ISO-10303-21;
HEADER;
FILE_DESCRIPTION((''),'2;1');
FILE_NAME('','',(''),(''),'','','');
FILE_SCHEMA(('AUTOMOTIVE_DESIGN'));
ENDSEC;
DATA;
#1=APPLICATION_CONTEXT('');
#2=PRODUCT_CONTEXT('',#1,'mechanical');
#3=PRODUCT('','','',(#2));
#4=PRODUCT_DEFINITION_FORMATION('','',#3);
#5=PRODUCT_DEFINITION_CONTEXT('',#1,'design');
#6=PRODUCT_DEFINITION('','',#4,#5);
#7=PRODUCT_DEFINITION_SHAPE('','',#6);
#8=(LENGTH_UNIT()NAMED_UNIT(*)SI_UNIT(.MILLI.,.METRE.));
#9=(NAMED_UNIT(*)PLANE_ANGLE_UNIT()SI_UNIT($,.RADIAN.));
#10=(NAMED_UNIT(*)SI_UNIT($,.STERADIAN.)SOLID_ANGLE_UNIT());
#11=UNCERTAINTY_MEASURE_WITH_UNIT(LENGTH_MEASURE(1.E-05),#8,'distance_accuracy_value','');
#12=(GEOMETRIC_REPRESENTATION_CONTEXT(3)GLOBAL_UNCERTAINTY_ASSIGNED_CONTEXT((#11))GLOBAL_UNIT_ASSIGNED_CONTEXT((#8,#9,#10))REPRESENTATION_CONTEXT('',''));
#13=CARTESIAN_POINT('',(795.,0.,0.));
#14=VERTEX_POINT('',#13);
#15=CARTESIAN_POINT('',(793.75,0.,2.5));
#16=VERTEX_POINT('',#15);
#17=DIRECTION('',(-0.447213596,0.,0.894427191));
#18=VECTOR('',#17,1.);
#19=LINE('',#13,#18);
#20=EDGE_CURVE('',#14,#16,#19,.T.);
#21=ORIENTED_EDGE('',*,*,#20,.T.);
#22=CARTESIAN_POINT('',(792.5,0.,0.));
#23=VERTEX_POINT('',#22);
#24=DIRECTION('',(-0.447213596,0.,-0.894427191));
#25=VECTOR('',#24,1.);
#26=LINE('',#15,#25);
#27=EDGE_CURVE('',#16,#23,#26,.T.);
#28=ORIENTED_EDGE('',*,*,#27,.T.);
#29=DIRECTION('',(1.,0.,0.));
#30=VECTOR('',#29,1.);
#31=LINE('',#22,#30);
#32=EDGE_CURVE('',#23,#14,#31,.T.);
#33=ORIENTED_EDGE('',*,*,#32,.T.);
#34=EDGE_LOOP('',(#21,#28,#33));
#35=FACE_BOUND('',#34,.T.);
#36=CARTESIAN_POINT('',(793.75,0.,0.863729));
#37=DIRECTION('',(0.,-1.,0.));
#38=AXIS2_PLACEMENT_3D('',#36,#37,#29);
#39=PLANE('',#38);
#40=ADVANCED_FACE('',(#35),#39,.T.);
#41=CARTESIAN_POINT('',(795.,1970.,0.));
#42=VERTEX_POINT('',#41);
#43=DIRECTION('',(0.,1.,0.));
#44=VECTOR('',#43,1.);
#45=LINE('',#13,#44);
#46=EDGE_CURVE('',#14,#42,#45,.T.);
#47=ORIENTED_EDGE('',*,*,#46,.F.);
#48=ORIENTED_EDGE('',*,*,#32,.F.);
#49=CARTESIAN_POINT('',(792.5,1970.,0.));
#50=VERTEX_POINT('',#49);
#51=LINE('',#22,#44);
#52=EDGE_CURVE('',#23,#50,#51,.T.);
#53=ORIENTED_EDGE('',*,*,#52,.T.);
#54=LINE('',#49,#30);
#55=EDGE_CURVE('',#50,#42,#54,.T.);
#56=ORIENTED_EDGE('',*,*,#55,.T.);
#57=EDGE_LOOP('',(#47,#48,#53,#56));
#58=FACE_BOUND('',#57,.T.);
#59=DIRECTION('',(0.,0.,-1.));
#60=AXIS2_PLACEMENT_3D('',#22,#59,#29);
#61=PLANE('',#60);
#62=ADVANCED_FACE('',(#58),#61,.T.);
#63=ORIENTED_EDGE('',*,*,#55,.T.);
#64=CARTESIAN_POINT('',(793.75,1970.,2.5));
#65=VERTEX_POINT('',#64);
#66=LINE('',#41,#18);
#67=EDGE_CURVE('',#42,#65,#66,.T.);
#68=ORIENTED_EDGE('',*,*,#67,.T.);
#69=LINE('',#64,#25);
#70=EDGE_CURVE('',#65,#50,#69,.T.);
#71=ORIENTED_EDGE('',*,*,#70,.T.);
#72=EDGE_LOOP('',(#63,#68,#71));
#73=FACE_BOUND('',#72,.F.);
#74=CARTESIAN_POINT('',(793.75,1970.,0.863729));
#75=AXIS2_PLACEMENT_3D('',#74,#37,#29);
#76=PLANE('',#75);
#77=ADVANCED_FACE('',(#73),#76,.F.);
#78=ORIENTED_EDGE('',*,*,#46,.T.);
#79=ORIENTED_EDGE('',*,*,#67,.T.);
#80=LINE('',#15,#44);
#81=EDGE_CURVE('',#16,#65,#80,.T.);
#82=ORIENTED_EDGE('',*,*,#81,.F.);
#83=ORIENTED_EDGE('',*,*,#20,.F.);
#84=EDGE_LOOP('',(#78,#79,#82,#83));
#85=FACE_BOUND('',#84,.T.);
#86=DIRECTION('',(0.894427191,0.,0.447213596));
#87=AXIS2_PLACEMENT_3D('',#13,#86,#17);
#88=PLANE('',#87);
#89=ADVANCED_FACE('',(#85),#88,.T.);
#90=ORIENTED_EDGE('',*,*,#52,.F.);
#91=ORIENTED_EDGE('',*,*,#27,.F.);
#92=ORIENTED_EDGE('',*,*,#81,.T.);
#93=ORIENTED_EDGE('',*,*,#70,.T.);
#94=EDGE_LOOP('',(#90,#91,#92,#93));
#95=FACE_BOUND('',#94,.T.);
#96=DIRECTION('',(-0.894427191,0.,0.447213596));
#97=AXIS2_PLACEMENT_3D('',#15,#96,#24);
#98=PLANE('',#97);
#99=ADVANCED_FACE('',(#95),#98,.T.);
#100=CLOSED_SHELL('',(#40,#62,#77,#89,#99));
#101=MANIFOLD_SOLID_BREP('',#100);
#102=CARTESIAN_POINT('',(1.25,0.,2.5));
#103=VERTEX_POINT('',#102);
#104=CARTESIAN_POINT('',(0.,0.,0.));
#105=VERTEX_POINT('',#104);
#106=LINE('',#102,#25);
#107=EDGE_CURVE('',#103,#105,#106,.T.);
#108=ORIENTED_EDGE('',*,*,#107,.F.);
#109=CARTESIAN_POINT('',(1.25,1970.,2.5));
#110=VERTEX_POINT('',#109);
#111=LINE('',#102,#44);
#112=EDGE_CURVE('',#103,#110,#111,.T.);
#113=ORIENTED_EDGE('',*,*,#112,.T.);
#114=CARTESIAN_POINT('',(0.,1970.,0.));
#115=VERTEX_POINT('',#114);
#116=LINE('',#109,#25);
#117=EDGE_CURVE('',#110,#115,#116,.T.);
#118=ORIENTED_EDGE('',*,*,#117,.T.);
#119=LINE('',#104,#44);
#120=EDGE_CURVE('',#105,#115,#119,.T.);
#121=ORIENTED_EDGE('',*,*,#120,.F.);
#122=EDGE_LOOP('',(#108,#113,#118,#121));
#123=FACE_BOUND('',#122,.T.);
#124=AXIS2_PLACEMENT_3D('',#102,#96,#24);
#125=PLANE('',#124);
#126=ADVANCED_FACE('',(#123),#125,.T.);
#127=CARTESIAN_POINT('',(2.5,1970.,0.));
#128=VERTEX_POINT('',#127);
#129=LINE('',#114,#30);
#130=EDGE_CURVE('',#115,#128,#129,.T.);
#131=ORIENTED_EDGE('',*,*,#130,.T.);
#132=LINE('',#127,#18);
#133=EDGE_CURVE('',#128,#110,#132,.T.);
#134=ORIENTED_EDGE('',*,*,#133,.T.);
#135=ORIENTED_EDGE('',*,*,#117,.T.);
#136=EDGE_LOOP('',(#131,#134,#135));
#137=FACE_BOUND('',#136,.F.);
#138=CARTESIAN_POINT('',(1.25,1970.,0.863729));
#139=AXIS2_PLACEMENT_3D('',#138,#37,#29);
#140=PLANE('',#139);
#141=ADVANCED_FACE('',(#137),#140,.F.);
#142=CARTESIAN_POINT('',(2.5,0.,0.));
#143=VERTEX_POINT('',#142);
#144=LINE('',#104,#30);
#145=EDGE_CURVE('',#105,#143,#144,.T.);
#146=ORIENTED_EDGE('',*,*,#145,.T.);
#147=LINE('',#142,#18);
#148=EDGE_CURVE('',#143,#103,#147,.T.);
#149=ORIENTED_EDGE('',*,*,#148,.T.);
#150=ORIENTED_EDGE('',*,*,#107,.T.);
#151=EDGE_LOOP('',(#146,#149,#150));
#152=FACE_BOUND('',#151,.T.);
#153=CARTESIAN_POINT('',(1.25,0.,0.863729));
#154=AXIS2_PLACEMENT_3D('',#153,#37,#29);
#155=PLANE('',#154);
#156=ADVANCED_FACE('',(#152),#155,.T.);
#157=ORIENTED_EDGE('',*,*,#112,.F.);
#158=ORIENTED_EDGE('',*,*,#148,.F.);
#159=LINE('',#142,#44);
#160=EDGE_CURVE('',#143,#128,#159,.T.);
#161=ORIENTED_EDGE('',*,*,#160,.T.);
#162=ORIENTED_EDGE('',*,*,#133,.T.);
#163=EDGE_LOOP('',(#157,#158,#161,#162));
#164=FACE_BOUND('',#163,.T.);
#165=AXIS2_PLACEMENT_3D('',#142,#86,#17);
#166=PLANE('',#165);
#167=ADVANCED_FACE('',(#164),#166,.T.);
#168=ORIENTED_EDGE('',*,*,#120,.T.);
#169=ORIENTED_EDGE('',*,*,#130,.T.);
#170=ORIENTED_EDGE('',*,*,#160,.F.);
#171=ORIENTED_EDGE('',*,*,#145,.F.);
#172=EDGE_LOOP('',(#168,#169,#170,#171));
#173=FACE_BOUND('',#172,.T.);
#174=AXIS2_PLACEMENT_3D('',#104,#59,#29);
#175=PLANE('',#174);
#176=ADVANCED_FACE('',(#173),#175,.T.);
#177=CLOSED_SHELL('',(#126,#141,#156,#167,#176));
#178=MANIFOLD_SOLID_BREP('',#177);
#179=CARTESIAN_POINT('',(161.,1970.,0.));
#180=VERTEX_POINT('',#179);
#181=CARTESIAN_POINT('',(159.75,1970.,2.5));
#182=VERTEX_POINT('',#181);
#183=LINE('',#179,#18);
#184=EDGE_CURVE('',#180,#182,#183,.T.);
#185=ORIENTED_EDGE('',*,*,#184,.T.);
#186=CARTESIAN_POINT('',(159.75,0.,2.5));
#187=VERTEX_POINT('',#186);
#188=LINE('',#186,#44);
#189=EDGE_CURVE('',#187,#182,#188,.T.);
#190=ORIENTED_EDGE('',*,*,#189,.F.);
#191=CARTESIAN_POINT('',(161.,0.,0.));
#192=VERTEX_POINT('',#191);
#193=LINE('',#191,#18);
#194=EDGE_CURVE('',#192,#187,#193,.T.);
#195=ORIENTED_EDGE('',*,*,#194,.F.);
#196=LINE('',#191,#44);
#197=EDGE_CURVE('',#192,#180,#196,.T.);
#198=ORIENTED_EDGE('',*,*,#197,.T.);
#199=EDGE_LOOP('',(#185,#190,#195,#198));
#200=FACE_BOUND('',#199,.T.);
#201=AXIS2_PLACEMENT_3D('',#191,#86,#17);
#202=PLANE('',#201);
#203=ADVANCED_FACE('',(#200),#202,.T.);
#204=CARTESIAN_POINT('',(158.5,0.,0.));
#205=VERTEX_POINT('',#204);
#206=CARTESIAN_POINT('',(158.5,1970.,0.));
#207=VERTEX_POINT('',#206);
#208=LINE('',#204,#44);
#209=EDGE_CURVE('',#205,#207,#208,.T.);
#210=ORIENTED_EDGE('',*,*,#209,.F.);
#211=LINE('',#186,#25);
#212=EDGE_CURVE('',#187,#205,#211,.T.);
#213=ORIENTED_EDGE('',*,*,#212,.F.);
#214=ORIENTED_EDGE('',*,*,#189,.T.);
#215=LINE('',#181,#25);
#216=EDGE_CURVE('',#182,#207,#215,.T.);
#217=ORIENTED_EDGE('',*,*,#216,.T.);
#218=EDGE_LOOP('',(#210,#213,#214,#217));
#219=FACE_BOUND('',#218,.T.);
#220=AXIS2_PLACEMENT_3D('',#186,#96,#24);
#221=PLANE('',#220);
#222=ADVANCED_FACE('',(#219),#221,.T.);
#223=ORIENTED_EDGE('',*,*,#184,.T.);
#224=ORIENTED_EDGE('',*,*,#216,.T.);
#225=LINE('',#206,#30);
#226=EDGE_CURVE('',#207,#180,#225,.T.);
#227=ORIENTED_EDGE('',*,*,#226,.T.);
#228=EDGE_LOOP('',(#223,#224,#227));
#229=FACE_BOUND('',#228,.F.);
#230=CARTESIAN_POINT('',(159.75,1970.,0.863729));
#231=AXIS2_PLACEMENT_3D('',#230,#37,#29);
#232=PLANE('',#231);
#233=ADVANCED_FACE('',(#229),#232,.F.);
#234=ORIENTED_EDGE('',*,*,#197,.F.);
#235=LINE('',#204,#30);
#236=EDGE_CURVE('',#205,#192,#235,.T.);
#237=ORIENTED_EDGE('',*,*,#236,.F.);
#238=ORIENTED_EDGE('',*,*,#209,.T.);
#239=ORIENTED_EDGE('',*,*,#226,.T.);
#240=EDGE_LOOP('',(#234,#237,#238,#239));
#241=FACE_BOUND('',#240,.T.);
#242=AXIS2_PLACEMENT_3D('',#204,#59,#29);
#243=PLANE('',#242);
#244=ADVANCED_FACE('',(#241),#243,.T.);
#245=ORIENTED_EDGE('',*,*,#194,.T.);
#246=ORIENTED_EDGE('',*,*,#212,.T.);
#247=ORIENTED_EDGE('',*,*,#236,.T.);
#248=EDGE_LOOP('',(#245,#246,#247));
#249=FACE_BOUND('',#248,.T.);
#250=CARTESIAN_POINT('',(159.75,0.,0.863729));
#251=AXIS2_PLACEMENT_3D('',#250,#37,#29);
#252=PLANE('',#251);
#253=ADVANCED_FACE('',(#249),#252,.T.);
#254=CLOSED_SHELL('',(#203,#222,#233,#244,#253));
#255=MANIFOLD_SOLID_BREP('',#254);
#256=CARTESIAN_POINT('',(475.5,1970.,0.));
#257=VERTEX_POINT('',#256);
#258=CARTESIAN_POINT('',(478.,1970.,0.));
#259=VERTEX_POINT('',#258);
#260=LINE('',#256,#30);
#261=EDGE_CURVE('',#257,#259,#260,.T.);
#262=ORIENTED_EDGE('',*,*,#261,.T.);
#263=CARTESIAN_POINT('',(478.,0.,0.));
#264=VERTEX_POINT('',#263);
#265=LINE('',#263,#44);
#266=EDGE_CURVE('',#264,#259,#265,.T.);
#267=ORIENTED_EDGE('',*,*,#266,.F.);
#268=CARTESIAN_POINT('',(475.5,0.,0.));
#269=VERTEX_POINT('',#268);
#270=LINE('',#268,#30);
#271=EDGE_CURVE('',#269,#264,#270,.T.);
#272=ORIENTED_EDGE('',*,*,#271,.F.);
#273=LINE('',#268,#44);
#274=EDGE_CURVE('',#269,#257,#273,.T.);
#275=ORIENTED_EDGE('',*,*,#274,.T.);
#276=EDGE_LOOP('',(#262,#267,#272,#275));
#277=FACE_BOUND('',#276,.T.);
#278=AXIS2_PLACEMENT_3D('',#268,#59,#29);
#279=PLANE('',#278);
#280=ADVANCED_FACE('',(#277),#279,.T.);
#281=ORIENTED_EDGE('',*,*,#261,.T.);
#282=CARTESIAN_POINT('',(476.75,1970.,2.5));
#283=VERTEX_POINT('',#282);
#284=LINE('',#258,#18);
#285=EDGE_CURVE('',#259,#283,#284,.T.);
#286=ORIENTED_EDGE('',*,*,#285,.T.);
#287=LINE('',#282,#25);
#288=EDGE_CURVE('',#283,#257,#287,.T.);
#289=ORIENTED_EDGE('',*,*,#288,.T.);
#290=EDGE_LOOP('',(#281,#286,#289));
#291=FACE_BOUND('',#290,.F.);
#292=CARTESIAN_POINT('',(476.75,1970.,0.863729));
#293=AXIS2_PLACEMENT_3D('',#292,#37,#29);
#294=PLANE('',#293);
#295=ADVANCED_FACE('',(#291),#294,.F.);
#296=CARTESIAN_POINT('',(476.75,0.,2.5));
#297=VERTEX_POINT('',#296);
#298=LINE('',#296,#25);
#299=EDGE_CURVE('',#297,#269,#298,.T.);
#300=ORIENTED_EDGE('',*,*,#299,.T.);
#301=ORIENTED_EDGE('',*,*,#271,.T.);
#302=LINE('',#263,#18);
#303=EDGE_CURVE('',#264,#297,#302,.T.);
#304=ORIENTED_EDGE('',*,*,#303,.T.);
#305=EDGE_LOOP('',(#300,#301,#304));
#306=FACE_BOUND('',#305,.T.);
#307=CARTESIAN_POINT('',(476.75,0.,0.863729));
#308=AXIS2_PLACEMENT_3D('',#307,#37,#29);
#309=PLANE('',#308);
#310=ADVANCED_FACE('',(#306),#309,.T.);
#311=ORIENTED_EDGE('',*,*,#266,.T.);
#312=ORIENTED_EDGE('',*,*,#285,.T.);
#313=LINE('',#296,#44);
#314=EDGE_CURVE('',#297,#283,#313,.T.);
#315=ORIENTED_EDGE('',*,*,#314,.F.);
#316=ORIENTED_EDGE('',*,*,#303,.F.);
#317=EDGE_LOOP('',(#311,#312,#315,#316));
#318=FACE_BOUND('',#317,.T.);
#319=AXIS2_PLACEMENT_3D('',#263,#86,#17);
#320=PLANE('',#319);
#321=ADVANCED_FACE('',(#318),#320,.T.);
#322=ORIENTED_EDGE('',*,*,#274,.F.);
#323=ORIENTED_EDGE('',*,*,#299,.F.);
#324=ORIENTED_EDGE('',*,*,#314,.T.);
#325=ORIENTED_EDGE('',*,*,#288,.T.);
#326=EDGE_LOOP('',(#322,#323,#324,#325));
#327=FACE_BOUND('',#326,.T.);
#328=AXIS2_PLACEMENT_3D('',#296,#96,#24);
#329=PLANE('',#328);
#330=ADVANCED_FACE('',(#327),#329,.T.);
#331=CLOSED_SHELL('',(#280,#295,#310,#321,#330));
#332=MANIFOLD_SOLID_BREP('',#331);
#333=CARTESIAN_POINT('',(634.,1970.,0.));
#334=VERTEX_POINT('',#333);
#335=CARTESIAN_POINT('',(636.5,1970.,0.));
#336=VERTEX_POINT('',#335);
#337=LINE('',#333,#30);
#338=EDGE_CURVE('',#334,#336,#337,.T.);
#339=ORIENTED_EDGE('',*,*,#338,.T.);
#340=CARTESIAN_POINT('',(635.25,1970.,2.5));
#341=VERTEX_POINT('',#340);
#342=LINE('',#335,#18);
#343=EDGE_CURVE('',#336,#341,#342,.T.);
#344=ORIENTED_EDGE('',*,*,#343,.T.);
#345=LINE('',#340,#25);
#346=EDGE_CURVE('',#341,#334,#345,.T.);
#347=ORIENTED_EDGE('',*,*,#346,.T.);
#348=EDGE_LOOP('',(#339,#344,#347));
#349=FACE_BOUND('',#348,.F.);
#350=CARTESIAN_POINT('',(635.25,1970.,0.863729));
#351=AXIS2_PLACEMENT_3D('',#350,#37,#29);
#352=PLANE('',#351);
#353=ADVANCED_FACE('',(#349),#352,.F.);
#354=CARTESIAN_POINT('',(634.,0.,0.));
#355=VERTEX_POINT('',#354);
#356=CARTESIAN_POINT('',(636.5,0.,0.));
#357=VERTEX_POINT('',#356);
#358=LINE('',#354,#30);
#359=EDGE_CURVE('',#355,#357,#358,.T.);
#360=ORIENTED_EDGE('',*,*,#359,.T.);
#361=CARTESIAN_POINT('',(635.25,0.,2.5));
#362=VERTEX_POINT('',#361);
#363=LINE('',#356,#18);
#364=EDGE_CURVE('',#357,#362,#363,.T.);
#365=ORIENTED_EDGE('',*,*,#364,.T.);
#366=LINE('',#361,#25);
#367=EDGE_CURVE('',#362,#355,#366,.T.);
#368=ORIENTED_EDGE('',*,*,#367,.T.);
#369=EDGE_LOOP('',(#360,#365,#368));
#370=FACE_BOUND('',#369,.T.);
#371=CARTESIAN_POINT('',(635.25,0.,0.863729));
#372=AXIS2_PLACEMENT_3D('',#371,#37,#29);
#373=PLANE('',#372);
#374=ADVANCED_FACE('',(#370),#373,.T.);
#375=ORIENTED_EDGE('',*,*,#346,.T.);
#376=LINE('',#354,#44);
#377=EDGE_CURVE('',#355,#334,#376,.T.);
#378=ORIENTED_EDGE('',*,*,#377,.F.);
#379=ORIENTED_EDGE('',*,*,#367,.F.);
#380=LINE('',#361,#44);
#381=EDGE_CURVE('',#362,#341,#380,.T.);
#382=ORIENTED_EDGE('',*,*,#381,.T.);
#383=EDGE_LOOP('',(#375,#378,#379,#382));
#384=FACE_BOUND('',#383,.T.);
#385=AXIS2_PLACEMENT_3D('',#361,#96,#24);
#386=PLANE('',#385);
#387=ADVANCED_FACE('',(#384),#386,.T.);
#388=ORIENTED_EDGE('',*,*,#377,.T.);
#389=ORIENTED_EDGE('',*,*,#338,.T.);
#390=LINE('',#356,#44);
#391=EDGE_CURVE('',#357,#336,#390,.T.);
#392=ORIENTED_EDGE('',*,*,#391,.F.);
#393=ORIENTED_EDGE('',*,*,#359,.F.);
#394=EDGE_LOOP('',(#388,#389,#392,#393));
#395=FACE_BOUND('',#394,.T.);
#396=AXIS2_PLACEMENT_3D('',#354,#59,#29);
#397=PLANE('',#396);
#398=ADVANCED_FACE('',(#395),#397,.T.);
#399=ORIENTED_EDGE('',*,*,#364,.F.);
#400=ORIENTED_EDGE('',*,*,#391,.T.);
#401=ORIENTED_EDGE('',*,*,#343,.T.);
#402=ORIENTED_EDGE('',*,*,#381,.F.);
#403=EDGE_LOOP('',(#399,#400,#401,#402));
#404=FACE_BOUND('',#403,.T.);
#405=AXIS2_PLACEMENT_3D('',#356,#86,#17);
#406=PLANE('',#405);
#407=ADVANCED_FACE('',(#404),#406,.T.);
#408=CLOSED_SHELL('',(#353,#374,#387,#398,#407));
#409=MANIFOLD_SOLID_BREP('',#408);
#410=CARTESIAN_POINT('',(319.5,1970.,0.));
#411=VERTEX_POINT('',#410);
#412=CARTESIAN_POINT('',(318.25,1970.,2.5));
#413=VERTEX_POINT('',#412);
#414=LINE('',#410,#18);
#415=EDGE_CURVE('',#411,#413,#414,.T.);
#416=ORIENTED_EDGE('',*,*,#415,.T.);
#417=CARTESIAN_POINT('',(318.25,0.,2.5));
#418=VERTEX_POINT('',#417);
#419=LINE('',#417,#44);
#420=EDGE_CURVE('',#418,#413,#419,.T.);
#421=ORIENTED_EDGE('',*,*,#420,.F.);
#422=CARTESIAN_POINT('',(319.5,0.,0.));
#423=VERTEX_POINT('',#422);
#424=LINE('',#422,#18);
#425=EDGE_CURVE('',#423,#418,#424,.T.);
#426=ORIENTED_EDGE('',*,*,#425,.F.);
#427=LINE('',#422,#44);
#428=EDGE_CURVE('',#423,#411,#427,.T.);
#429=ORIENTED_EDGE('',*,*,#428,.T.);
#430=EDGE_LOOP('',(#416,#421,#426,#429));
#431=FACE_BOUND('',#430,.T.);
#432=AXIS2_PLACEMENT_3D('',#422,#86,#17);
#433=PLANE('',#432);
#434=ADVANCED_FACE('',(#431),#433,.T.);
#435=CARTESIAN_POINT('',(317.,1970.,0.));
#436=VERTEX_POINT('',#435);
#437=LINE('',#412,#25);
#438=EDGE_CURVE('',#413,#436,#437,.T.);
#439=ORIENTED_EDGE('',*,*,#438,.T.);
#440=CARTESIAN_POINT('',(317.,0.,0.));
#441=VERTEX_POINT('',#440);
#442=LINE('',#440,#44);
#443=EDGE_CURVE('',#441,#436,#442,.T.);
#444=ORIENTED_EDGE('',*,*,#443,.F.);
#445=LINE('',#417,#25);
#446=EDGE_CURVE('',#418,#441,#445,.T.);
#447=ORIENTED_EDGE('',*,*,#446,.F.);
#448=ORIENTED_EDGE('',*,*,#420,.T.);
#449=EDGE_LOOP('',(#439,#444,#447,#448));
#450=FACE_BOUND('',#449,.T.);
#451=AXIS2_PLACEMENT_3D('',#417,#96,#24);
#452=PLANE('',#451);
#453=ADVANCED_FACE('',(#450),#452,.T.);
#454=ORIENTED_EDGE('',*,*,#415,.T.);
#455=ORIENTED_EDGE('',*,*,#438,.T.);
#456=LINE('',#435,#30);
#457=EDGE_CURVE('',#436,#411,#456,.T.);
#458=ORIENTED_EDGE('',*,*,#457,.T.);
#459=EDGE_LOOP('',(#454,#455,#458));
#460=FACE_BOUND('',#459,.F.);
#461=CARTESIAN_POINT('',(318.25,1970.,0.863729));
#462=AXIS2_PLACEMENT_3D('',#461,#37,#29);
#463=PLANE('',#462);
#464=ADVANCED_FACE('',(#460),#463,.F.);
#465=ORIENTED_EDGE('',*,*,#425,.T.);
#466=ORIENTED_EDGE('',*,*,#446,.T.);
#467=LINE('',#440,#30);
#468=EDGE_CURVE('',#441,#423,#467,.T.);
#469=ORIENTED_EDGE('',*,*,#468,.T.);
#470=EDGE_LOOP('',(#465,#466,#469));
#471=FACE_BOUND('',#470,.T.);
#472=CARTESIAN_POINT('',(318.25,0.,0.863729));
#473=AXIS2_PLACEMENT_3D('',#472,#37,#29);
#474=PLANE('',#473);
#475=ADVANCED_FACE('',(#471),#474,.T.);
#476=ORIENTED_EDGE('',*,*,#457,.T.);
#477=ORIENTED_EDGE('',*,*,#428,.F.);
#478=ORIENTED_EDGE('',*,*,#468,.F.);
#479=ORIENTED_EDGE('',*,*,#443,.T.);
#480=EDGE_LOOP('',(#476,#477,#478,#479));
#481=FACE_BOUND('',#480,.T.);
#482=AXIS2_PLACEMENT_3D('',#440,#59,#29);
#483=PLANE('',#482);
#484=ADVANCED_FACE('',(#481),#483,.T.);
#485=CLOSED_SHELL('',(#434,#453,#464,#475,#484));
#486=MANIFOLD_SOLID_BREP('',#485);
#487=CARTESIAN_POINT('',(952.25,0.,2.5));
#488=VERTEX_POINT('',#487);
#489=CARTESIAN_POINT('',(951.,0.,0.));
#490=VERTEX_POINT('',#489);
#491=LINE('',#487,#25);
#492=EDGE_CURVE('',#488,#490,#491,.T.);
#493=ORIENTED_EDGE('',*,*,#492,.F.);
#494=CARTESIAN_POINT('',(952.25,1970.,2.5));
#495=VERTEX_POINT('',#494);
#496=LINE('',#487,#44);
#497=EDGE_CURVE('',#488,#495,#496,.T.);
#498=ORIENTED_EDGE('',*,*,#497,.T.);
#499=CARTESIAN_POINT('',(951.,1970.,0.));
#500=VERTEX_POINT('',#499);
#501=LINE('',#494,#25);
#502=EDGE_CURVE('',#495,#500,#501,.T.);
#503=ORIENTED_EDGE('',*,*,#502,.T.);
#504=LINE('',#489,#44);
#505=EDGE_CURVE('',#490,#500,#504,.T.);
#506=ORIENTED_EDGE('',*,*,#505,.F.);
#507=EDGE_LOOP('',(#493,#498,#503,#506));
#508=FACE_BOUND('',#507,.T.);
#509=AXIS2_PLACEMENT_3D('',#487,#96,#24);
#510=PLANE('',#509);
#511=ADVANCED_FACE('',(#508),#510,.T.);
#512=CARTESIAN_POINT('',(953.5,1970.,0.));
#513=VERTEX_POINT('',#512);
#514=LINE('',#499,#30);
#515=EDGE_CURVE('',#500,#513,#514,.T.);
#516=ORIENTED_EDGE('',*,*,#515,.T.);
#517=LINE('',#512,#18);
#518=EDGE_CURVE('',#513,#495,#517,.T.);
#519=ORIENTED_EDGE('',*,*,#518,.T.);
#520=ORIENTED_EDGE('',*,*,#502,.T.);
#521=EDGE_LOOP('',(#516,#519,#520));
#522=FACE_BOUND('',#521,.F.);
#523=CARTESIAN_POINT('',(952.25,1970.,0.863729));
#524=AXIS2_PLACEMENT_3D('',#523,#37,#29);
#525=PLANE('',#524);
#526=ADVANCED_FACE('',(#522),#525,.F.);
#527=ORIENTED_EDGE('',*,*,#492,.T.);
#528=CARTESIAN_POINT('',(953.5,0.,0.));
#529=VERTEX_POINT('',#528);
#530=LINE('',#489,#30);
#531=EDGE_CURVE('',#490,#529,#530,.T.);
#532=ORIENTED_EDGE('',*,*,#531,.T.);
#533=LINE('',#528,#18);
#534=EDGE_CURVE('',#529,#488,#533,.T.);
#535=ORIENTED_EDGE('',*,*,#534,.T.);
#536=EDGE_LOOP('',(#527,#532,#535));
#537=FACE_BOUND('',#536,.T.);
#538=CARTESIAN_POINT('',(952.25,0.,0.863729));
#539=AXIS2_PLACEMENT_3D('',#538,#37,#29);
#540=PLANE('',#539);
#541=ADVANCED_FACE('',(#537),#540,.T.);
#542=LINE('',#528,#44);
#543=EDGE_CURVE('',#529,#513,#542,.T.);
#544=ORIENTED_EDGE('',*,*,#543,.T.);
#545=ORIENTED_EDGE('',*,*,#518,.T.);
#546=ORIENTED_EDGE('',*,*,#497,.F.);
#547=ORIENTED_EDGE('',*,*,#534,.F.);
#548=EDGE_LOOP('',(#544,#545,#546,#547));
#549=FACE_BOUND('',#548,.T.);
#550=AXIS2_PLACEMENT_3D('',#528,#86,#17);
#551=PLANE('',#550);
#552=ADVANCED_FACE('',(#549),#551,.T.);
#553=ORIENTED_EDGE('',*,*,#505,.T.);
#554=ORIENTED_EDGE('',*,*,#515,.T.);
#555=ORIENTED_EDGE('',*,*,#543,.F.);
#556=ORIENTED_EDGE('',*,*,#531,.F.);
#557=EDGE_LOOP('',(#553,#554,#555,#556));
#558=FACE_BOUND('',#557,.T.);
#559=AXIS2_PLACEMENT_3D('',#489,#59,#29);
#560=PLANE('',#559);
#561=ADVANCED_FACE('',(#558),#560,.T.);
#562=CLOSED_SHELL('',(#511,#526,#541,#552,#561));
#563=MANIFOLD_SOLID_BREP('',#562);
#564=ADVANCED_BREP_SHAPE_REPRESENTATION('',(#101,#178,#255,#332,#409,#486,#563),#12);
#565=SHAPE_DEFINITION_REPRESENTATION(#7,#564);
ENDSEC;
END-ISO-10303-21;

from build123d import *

# Parameters (mm, degrees)
F1_DEPTH = 1970
F2_DEPTH = 1970


with BuildPart() as f1:
    # F0 (on Front) → F1 (new body)
    with BuildSketch(Plane.XZ):
        Polygon((1.25, 2.5), (0, 0), (2.5, 0), align=None)
    extrude(amount=-F1_DEPTH)

    # F0 (on Front) → F2 (join)
    with BuildSketch(Plane.XZ):
        Polygon((1.25, 2.5), (0, 0), (2.5, 0), align=None)
        Polygon((158.5, 0), (161, 0), (159.75, 2.5), align=None)
        Polygon((317, 0), (319.5, 0), (318.25, 2.5), align=None)
        Polygon((475.5, 0), (478, 0), (476.75, 2.5), align=None)
        Polygon((634, 0), (636.5, 0), (635.25, 2.5), align=None)
        Polygon((792.5, 0), (795, 0), (793.75, 2.5), align=None)
        Polygon((951, 0), (953.5, 0), (952.25, 2.5), align=None)
    extrude(amount=-F2_DEPTH)


solid = f1.part
